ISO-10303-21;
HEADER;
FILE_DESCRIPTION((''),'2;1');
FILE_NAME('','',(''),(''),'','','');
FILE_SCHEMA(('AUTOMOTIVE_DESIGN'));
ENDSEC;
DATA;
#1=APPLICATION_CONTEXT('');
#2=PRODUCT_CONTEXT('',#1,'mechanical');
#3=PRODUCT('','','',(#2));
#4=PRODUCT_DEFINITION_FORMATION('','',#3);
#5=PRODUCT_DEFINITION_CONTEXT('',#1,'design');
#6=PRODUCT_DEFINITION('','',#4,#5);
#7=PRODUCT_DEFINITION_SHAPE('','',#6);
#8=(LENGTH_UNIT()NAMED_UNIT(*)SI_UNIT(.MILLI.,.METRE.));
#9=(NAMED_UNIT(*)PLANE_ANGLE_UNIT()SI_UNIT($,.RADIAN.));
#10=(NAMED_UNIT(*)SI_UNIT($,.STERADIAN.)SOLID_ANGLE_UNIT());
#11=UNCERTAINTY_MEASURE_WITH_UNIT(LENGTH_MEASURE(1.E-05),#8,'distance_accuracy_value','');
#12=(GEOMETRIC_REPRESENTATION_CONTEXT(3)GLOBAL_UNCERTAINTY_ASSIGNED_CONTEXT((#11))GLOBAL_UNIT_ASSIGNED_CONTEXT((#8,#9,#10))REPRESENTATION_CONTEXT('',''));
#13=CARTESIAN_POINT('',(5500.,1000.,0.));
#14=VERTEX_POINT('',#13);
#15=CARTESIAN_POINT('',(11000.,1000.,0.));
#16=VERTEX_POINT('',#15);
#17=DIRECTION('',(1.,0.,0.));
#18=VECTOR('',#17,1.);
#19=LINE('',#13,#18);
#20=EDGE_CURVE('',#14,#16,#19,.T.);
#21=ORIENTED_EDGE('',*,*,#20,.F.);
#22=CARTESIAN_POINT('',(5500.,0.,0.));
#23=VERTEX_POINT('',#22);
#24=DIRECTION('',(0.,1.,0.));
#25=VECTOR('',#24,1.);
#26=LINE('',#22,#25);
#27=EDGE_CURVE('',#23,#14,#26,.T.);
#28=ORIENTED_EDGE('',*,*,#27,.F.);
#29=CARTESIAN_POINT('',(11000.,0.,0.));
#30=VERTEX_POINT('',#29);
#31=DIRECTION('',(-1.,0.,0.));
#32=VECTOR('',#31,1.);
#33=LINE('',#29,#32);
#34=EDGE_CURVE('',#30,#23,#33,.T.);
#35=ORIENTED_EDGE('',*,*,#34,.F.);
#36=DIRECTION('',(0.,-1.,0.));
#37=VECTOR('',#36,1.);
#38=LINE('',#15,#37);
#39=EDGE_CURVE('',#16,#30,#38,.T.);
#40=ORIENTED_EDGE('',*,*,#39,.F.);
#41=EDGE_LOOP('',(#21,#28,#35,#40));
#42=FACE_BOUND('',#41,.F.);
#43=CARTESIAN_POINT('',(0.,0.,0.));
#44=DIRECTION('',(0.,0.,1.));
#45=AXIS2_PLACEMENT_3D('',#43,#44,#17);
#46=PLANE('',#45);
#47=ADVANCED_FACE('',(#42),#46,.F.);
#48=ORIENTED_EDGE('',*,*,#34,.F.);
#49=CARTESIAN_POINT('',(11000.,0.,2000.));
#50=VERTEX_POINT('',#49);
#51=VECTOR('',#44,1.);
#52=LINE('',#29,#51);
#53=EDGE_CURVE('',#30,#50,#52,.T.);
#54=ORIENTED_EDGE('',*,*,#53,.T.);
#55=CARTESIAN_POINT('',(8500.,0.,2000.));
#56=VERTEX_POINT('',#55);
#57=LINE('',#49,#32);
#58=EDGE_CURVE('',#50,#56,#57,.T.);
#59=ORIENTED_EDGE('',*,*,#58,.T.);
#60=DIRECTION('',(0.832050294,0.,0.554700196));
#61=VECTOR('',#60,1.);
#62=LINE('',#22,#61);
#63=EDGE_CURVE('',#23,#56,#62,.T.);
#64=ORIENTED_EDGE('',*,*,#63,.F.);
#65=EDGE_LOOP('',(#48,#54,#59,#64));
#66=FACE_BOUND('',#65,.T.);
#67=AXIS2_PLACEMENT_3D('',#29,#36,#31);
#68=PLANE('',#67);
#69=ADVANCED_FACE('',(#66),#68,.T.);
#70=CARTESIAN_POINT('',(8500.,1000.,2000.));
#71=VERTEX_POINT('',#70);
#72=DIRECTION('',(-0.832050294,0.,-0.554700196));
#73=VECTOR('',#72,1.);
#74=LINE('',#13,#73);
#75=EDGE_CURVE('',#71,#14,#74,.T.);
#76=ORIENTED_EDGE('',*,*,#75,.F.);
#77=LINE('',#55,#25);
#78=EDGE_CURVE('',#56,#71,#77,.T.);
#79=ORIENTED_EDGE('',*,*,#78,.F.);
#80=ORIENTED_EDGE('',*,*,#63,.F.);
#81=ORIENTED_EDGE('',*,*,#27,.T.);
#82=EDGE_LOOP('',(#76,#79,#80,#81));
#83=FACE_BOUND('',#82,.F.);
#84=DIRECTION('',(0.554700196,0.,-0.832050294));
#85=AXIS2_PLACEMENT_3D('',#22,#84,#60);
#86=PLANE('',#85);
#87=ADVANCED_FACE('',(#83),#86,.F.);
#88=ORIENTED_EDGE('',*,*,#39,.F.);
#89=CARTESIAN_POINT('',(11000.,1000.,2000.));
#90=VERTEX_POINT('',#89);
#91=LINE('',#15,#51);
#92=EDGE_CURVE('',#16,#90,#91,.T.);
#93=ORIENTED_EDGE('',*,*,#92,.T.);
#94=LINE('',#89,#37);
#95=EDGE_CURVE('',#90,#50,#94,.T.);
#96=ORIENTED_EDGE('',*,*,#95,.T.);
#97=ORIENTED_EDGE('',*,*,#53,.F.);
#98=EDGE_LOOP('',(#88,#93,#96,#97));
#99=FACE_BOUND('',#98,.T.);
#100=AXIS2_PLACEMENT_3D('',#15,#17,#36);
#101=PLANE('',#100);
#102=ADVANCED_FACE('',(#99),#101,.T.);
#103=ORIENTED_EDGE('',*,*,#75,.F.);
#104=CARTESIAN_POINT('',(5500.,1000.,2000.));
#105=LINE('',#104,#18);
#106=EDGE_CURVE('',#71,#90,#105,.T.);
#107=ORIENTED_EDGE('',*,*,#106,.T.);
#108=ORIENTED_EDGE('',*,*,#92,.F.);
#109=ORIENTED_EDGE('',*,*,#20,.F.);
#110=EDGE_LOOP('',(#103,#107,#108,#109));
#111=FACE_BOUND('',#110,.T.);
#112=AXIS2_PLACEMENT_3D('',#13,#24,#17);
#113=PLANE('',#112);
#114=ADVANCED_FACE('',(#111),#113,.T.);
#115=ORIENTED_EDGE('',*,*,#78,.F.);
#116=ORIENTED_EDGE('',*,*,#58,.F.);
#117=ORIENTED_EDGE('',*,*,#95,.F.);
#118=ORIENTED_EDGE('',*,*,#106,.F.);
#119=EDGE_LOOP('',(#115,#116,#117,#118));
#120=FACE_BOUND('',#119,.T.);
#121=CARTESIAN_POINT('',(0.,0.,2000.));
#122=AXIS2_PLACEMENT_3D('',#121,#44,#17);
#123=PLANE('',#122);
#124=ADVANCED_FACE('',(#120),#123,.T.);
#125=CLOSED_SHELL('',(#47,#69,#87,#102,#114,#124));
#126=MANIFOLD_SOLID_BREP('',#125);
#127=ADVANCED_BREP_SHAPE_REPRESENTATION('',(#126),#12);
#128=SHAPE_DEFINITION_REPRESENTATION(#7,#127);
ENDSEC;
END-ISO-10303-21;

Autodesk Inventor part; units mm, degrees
ref_plane "YZ Plane" through (0, 0, 0) normal (1, 0, 0) x (0, 1, 0)
ref_plane "XZ Plane" through (0, 0, 0) normal (0, 1, 0) x (-1, 0, 0)
ref_plane "XY Plane" through (0, 0, 0) normal (0, 0, 1) x (1, 0, 0)
sketch "スケッチ1" plane through (0, 0, 0) normal (0, 0, 1) x (1, 0, 0)
  line L0 (5500, 1000) -> (11000, 1000)
  line L1 (11000, 1000) -> (11000, 0)
  line L2 (11000, 0) -> (5500, 0)
  line L3 (5500, 0) -> (5500, 1000)
  point P0 (0, 0)
  dimension "d13" = 5500
  dimension "d23" = 1000
  dimension "d24" = 5500
extrude "押し出し1" add sketch "スケッチ1" along normal blind 2000
sketch "スケッチ5" plane through (5500, 0, 0) normal (0, -1, 0) x (1, 0, 0)
  line L0 (0, 0) -> (0, 2000) projected
  line L1 (0, 0) -> (3000, 2000)
  line L2 (0, 2000) -> (5500, 2000) projected
  point P0 (-5500, 0)
  dimension "d25" = 3000
extrude "押し出し5" cut sketch "スケッチ5" against normal through all
properties part number "Slope"
